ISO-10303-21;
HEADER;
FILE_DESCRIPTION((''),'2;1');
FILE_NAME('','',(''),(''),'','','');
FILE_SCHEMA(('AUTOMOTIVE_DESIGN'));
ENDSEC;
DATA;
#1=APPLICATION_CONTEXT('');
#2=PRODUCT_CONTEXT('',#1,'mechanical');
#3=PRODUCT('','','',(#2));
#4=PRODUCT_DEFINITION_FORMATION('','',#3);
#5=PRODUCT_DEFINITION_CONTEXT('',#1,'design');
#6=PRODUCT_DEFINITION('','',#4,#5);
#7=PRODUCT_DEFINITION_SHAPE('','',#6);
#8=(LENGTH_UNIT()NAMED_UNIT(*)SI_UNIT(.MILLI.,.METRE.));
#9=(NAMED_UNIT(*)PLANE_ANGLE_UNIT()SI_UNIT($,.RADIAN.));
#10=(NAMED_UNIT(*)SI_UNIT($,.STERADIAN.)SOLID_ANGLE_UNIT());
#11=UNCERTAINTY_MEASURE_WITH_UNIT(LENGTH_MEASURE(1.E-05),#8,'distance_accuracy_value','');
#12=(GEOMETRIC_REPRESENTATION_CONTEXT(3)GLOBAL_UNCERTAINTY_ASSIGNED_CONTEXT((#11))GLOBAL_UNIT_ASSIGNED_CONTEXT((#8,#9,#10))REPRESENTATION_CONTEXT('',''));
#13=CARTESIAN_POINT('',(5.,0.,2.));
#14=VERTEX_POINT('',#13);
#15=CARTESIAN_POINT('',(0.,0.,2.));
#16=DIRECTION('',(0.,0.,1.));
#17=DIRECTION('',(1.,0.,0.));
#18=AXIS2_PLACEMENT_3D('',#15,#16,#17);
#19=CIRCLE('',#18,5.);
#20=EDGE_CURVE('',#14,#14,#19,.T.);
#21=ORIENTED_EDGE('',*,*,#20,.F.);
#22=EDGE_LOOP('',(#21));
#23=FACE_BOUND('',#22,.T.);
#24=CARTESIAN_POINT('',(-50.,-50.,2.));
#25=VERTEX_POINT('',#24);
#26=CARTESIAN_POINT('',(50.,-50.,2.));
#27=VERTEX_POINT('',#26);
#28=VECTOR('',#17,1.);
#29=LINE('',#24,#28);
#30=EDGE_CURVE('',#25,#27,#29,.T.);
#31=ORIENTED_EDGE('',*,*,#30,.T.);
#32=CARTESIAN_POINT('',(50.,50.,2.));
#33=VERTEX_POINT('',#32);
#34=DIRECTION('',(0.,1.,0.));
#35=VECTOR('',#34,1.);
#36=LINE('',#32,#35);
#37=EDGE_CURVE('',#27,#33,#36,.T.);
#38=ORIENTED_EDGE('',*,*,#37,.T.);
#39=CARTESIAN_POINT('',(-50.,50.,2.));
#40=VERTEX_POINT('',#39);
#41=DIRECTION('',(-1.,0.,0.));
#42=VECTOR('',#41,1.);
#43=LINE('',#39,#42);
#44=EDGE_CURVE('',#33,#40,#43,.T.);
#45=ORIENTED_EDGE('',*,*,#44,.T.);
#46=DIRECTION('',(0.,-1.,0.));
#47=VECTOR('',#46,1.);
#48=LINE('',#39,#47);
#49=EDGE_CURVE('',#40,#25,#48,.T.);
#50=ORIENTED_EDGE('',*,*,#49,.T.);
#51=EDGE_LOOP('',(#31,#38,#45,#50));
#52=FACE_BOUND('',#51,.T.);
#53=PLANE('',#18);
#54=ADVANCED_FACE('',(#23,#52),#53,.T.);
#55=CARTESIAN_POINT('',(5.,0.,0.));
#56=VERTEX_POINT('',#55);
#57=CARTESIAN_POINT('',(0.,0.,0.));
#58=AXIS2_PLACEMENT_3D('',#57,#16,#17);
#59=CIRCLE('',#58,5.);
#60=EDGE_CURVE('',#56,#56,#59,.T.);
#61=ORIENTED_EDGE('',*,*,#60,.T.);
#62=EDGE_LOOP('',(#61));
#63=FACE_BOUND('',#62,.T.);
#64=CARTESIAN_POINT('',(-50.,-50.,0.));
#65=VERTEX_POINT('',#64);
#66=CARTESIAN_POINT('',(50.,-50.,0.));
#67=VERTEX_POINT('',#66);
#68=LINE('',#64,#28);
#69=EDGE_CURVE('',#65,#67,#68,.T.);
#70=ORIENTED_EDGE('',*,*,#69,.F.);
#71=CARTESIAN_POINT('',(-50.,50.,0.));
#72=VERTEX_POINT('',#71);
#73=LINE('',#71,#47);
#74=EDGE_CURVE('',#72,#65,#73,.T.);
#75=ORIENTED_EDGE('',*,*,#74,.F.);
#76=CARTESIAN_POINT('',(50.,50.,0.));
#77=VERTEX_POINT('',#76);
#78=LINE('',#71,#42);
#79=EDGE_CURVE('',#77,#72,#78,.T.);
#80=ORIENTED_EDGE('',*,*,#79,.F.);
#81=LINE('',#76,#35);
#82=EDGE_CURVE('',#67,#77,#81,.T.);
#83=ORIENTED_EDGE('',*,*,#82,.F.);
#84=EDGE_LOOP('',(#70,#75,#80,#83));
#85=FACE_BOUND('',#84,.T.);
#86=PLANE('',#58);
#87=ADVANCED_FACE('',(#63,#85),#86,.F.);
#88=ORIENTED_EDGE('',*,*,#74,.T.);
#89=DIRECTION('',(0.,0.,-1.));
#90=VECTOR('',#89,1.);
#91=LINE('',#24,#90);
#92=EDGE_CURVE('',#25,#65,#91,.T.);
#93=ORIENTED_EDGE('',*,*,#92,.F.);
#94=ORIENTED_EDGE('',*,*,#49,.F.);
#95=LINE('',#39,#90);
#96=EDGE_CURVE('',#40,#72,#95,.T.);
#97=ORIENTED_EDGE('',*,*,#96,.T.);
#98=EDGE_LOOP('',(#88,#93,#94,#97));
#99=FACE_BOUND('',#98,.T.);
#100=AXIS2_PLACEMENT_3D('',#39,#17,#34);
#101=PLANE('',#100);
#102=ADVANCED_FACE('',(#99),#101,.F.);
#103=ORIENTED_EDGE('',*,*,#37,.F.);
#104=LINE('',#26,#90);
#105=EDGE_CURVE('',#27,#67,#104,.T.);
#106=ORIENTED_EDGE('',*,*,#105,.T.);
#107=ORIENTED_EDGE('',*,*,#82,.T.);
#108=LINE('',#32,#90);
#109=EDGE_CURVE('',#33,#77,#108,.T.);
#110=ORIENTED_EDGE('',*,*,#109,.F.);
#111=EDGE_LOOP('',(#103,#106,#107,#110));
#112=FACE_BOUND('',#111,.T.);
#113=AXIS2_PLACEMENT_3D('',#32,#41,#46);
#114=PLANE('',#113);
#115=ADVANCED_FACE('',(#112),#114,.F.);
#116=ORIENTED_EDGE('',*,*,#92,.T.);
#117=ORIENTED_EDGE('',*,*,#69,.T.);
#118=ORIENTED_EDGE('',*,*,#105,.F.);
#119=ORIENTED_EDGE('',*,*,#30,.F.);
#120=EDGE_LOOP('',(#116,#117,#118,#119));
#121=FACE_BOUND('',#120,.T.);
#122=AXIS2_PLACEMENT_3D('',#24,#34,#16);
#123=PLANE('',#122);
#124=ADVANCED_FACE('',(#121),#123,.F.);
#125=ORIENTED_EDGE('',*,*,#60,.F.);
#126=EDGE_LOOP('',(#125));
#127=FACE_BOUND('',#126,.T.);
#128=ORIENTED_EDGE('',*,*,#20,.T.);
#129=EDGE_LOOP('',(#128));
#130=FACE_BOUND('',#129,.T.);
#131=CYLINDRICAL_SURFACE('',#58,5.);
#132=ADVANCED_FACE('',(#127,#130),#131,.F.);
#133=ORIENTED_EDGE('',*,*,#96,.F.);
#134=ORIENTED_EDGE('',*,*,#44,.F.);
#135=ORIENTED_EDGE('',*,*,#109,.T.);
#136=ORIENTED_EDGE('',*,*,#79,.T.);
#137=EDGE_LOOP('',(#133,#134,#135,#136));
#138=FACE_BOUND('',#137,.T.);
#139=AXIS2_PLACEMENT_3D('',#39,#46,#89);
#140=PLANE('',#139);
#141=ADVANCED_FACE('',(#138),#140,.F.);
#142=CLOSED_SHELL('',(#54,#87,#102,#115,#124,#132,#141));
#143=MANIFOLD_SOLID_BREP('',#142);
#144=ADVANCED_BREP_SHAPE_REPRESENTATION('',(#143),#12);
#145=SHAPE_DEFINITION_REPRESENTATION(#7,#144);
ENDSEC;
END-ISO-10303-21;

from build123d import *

# Parameters (mm, degrees)
SKETCH_1_W          = 100
SKETCH_1_H          = 100
EXTRUDE_1_DEPTH     = 2
SKETCH_2_R          = 5
CUT_EXTRUDE_1_DEPTH = 71.738956735


with BuildPart() as part:
    # 草圖1 → 填料-伸長1 (new body)
    with BuildSketch(Plane.XY):
        Rectangle(SKETCH_1_W, SKETCH_1_H)
    extrude(amount=EXTRUDE_1_DEPTH)

    # 草圖2 → 除料-伸長1 (cut, through all)
    with BuildSketch(Plane.XY.offset(2)):
        Circle(SKETCH_2_R)
    extrude(amount=-CUT_EXTRUDE_1_DEPTH, mode=Mode.SUBTRACT)


solid = part.part
